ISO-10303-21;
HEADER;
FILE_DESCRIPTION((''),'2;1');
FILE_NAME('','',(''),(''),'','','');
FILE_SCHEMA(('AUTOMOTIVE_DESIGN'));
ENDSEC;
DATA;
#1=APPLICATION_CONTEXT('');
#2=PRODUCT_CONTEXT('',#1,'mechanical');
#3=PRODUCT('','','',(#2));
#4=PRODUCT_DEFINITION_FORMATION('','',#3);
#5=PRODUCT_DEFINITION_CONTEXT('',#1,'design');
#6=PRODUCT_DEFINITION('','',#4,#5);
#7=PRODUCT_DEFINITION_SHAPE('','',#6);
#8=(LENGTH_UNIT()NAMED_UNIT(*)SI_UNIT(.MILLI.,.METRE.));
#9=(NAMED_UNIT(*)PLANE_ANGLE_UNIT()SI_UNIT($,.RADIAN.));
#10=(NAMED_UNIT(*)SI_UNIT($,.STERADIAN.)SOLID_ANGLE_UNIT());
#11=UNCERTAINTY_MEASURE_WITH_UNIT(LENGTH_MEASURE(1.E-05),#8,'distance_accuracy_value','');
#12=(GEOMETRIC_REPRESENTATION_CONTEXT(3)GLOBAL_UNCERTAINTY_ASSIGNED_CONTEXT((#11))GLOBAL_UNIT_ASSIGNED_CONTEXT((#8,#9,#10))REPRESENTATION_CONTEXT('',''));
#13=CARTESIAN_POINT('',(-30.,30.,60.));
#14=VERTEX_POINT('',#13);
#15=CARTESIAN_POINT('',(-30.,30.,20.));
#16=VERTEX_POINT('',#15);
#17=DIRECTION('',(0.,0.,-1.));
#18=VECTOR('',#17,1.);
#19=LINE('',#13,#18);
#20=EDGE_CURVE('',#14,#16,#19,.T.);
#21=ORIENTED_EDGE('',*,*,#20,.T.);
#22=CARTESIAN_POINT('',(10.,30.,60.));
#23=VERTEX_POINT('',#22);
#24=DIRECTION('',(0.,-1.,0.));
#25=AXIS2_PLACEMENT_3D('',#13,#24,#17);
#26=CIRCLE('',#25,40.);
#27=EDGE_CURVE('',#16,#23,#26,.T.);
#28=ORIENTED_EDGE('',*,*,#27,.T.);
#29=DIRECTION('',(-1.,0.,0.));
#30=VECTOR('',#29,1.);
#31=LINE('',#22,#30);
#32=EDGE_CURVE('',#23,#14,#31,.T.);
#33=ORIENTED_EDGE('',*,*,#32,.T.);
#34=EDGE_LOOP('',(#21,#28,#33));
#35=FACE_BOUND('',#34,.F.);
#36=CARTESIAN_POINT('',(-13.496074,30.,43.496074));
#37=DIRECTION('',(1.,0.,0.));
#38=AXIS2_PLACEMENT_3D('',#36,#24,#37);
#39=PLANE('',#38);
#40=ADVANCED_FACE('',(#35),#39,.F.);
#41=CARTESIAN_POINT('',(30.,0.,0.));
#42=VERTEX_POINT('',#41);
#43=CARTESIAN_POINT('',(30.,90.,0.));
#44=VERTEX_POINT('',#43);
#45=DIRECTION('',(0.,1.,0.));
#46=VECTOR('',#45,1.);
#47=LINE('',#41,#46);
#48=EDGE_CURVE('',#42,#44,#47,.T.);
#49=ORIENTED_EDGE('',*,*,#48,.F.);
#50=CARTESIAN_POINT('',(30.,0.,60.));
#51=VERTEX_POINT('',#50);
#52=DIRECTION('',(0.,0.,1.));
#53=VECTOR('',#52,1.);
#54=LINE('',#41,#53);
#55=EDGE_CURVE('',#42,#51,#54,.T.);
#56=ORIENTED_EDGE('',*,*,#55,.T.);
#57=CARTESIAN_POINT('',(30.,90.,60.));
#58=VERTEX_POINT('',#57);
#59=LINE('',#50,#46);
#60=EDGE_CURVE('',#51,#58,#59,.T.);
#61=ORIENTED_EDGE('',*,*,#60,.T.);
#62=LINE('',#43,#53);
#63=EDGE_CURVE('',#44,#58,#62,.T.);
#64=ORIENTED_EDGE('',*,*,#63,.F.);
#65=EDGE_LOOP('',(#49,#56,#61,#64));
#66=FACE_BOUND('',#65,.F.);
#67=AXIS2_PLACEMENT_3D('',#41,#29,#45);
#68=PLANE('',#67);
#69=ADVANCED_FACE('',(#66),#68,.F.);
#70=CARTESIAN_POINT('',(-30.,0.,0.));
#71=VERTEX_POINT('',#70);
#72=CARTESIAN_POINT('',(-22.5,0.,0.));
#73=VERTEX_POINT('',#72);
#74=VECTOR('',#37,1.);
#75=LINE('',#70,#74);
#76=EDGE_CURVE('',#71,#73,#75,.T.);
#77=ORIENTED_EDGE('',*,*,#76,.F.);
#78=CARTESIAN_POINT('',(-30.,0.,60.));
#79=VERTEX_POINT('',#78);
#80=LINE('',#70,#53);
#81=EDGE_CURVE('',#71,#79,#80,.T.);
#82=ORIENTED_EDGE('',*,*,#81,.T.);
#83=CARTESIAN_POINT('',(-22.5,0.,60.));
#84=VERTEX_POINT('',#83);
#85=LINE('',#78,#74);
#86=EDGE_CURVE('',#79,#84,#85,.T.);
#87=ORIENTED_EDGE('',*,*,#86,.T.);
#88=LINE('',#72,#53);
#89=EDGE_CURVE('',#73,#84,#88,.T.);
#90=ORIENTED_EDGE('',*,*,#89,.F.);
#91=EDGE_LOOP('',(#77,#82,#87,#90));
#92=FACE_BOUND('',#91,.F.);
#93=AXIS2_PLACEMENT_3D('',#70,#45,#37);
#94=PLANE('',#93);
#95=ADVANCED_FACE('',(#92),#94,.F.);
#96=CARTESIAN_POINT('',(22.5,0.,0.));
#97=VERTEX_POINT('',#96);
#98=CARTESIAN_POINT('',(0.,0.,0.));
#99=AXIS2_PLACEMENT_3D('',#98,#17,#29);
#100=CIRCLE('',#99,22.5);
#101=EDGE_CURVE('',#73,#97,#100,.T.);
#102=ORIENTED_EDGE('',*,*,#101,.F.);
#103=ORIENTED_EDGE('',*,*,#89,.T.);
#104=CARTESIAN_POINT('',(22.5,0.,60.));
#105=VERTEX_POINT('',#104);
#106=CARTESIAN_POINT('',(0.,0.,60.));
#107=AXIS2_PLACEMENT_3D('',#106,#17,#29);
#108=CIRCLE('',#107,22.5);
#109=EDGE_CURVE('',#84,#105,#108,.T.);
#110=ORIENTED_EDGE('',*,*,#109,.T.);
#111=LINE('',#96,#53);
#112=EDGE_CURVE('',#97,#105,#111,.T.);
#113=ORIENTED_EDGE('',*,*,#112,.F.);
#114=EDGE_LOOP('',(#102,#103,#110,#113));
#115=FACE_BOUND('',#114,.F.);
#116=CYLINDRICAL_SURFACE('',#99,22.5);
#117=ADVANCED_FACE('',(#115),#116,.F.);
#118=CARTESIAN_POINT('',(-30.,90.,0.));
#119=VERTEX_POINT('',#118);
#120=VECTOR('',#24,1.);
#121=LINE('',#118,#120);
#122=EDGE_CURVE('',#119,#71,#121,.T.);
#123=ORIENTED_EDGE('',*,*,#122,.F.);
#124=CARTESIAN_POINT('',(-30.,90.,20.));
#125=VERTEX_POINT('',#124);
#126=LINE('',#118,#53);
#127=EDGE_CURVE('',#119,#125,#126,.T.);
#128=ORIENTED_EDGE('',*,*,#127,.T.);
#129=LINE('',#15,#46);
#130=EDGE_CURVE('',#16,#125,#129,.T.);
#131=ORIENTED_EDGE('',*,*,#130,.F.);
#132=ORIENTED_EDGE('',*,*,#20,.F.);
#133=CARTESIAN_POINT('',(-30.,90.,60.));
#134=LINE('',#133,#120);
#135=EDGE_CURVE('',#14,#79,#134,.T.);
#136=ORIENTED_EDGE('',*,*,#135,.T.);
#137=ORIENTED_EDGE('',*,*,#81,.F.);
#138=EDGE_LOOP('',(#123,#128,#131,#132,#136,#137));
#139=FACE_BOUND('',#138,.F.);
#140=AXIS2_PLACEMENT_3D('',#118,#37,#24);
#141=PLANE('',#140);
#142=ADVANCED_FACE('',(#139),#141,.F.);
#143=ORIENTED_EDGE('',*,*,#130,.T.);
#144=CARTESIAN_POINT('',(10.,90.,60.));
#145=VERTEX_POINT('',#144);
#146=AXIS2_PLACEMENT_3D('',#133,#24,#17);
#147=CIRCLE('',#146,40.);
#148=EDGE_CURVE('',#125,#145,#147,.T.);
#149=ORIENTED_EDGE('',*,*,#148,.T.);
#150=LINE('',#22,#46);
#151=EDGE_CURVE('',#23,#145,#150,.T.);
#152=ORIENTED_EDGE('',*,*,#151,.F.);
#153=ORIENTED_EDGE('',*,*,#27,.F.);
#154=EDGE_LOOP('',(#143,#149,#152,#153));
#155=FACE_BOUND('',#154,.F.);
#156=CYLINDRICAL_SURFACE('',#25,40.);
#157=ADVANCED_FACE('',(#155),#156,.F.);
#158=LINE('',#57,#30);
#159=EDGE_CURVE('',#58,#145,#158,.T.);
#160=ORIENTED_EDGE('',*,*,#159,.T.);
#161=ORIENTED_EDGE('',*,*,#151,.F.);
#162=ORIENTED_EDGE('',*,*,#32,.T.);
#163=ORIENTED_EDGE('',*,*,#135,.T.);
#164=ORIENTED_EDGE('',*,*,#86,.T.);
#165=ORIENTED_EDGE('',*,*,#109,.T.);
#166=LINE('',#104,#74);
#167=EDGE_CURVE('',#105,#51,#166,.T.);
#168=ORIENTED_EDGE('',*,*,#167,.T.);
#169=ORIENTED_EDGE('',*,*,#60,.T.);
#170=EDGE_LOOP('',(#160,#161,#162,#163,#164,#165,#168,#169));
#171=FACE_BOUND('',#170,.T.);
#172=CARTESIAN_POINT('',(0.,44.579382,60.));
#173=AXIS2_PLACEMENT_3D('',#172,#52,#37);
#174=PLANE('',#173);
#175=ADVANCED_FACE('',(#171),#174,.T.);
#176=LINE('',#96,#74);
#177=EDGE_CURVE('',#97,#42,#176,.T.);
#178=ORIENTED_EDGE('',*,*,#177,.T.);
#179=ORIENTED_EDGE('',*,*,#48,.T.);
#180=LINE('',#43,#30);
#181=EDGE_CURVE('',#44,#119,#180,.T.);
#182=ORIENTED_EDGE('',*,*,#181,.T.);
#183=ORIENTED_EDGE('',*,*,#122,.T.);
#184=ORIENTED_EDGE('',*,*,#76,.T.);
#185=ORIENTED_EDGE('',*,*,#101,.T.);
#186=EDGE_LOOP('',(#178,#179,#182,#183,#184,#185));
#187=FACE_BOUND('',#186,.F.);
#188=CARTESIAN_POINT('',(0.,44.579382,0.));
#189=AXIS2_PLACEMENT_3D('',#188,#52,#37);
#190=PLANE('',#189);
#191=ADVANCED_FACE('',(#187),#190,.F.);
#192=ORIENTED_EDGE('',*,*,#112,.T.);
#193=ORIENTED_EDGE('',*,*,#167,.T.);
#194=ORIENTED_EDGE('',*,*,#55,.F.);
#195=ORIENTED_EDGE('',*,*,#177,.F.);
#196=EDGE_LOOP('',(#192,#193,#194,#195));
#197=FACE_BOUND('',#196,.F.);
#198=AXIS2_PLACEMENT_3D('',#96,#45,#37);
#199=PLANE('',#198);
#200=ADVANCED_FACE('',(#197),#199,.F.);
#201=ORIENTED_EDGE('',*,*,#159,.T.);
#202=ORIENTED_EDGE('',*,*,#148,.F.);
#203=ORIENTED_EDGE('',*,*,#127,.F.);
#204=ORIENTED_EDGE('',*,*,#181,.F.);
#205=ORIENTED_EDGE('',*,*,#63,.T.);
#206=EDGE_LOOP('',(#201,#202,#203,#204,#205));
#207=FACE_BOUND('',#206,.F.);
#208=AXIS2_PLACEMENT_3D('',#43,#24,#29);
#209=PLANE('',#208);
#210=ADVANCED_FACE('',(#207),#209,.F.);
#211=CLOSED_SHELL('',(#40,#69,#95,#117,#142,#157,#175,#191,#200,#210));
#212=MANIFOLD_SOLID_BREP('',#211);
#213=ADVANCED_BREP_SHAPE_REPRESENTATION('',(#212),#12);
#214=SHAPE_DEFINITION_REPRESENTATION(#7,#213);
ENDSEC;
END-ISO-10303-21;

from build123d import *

# Parameters (mm, degrees)
F1_DEPTH = 60
F3_START = -30
F3_DEPTH = 60


with BuildPart() as f1:
    # F0 (on Top) → F1 (new body)
    with BuildSketch(Plane.XY):
        with BuildLine():
            Line((-30, 90), (-30, 0))
            Line((-30, 0), (-22.5, 0))
            ThreePointArc((-22.5, 0), (0, 22.5), (22.5, 0))
            Line((22.5, 0), (30, 0))
            Line((30, 0), (30, 90))
            Line((30, 90), (-30, 90))
        make_face()
    extrude(amount=F1_DEPTH)

    # F2 (on Front) → F3 (cut)
    with BuildSketch(Plane.XZ.offset(F3_START)):
        with BuildLine():
            Line((-30, 60), (-30, 20))
            ThreePointArc((-30, 20), (-1.7157287525, 31.7157287525), (10, 60))
            Line((10, 60), (-30, 60))
        make_face()
    extrude(amount=-F3_DEPTH, mode=Mode.SUBTRACT)


solid = f1.part
